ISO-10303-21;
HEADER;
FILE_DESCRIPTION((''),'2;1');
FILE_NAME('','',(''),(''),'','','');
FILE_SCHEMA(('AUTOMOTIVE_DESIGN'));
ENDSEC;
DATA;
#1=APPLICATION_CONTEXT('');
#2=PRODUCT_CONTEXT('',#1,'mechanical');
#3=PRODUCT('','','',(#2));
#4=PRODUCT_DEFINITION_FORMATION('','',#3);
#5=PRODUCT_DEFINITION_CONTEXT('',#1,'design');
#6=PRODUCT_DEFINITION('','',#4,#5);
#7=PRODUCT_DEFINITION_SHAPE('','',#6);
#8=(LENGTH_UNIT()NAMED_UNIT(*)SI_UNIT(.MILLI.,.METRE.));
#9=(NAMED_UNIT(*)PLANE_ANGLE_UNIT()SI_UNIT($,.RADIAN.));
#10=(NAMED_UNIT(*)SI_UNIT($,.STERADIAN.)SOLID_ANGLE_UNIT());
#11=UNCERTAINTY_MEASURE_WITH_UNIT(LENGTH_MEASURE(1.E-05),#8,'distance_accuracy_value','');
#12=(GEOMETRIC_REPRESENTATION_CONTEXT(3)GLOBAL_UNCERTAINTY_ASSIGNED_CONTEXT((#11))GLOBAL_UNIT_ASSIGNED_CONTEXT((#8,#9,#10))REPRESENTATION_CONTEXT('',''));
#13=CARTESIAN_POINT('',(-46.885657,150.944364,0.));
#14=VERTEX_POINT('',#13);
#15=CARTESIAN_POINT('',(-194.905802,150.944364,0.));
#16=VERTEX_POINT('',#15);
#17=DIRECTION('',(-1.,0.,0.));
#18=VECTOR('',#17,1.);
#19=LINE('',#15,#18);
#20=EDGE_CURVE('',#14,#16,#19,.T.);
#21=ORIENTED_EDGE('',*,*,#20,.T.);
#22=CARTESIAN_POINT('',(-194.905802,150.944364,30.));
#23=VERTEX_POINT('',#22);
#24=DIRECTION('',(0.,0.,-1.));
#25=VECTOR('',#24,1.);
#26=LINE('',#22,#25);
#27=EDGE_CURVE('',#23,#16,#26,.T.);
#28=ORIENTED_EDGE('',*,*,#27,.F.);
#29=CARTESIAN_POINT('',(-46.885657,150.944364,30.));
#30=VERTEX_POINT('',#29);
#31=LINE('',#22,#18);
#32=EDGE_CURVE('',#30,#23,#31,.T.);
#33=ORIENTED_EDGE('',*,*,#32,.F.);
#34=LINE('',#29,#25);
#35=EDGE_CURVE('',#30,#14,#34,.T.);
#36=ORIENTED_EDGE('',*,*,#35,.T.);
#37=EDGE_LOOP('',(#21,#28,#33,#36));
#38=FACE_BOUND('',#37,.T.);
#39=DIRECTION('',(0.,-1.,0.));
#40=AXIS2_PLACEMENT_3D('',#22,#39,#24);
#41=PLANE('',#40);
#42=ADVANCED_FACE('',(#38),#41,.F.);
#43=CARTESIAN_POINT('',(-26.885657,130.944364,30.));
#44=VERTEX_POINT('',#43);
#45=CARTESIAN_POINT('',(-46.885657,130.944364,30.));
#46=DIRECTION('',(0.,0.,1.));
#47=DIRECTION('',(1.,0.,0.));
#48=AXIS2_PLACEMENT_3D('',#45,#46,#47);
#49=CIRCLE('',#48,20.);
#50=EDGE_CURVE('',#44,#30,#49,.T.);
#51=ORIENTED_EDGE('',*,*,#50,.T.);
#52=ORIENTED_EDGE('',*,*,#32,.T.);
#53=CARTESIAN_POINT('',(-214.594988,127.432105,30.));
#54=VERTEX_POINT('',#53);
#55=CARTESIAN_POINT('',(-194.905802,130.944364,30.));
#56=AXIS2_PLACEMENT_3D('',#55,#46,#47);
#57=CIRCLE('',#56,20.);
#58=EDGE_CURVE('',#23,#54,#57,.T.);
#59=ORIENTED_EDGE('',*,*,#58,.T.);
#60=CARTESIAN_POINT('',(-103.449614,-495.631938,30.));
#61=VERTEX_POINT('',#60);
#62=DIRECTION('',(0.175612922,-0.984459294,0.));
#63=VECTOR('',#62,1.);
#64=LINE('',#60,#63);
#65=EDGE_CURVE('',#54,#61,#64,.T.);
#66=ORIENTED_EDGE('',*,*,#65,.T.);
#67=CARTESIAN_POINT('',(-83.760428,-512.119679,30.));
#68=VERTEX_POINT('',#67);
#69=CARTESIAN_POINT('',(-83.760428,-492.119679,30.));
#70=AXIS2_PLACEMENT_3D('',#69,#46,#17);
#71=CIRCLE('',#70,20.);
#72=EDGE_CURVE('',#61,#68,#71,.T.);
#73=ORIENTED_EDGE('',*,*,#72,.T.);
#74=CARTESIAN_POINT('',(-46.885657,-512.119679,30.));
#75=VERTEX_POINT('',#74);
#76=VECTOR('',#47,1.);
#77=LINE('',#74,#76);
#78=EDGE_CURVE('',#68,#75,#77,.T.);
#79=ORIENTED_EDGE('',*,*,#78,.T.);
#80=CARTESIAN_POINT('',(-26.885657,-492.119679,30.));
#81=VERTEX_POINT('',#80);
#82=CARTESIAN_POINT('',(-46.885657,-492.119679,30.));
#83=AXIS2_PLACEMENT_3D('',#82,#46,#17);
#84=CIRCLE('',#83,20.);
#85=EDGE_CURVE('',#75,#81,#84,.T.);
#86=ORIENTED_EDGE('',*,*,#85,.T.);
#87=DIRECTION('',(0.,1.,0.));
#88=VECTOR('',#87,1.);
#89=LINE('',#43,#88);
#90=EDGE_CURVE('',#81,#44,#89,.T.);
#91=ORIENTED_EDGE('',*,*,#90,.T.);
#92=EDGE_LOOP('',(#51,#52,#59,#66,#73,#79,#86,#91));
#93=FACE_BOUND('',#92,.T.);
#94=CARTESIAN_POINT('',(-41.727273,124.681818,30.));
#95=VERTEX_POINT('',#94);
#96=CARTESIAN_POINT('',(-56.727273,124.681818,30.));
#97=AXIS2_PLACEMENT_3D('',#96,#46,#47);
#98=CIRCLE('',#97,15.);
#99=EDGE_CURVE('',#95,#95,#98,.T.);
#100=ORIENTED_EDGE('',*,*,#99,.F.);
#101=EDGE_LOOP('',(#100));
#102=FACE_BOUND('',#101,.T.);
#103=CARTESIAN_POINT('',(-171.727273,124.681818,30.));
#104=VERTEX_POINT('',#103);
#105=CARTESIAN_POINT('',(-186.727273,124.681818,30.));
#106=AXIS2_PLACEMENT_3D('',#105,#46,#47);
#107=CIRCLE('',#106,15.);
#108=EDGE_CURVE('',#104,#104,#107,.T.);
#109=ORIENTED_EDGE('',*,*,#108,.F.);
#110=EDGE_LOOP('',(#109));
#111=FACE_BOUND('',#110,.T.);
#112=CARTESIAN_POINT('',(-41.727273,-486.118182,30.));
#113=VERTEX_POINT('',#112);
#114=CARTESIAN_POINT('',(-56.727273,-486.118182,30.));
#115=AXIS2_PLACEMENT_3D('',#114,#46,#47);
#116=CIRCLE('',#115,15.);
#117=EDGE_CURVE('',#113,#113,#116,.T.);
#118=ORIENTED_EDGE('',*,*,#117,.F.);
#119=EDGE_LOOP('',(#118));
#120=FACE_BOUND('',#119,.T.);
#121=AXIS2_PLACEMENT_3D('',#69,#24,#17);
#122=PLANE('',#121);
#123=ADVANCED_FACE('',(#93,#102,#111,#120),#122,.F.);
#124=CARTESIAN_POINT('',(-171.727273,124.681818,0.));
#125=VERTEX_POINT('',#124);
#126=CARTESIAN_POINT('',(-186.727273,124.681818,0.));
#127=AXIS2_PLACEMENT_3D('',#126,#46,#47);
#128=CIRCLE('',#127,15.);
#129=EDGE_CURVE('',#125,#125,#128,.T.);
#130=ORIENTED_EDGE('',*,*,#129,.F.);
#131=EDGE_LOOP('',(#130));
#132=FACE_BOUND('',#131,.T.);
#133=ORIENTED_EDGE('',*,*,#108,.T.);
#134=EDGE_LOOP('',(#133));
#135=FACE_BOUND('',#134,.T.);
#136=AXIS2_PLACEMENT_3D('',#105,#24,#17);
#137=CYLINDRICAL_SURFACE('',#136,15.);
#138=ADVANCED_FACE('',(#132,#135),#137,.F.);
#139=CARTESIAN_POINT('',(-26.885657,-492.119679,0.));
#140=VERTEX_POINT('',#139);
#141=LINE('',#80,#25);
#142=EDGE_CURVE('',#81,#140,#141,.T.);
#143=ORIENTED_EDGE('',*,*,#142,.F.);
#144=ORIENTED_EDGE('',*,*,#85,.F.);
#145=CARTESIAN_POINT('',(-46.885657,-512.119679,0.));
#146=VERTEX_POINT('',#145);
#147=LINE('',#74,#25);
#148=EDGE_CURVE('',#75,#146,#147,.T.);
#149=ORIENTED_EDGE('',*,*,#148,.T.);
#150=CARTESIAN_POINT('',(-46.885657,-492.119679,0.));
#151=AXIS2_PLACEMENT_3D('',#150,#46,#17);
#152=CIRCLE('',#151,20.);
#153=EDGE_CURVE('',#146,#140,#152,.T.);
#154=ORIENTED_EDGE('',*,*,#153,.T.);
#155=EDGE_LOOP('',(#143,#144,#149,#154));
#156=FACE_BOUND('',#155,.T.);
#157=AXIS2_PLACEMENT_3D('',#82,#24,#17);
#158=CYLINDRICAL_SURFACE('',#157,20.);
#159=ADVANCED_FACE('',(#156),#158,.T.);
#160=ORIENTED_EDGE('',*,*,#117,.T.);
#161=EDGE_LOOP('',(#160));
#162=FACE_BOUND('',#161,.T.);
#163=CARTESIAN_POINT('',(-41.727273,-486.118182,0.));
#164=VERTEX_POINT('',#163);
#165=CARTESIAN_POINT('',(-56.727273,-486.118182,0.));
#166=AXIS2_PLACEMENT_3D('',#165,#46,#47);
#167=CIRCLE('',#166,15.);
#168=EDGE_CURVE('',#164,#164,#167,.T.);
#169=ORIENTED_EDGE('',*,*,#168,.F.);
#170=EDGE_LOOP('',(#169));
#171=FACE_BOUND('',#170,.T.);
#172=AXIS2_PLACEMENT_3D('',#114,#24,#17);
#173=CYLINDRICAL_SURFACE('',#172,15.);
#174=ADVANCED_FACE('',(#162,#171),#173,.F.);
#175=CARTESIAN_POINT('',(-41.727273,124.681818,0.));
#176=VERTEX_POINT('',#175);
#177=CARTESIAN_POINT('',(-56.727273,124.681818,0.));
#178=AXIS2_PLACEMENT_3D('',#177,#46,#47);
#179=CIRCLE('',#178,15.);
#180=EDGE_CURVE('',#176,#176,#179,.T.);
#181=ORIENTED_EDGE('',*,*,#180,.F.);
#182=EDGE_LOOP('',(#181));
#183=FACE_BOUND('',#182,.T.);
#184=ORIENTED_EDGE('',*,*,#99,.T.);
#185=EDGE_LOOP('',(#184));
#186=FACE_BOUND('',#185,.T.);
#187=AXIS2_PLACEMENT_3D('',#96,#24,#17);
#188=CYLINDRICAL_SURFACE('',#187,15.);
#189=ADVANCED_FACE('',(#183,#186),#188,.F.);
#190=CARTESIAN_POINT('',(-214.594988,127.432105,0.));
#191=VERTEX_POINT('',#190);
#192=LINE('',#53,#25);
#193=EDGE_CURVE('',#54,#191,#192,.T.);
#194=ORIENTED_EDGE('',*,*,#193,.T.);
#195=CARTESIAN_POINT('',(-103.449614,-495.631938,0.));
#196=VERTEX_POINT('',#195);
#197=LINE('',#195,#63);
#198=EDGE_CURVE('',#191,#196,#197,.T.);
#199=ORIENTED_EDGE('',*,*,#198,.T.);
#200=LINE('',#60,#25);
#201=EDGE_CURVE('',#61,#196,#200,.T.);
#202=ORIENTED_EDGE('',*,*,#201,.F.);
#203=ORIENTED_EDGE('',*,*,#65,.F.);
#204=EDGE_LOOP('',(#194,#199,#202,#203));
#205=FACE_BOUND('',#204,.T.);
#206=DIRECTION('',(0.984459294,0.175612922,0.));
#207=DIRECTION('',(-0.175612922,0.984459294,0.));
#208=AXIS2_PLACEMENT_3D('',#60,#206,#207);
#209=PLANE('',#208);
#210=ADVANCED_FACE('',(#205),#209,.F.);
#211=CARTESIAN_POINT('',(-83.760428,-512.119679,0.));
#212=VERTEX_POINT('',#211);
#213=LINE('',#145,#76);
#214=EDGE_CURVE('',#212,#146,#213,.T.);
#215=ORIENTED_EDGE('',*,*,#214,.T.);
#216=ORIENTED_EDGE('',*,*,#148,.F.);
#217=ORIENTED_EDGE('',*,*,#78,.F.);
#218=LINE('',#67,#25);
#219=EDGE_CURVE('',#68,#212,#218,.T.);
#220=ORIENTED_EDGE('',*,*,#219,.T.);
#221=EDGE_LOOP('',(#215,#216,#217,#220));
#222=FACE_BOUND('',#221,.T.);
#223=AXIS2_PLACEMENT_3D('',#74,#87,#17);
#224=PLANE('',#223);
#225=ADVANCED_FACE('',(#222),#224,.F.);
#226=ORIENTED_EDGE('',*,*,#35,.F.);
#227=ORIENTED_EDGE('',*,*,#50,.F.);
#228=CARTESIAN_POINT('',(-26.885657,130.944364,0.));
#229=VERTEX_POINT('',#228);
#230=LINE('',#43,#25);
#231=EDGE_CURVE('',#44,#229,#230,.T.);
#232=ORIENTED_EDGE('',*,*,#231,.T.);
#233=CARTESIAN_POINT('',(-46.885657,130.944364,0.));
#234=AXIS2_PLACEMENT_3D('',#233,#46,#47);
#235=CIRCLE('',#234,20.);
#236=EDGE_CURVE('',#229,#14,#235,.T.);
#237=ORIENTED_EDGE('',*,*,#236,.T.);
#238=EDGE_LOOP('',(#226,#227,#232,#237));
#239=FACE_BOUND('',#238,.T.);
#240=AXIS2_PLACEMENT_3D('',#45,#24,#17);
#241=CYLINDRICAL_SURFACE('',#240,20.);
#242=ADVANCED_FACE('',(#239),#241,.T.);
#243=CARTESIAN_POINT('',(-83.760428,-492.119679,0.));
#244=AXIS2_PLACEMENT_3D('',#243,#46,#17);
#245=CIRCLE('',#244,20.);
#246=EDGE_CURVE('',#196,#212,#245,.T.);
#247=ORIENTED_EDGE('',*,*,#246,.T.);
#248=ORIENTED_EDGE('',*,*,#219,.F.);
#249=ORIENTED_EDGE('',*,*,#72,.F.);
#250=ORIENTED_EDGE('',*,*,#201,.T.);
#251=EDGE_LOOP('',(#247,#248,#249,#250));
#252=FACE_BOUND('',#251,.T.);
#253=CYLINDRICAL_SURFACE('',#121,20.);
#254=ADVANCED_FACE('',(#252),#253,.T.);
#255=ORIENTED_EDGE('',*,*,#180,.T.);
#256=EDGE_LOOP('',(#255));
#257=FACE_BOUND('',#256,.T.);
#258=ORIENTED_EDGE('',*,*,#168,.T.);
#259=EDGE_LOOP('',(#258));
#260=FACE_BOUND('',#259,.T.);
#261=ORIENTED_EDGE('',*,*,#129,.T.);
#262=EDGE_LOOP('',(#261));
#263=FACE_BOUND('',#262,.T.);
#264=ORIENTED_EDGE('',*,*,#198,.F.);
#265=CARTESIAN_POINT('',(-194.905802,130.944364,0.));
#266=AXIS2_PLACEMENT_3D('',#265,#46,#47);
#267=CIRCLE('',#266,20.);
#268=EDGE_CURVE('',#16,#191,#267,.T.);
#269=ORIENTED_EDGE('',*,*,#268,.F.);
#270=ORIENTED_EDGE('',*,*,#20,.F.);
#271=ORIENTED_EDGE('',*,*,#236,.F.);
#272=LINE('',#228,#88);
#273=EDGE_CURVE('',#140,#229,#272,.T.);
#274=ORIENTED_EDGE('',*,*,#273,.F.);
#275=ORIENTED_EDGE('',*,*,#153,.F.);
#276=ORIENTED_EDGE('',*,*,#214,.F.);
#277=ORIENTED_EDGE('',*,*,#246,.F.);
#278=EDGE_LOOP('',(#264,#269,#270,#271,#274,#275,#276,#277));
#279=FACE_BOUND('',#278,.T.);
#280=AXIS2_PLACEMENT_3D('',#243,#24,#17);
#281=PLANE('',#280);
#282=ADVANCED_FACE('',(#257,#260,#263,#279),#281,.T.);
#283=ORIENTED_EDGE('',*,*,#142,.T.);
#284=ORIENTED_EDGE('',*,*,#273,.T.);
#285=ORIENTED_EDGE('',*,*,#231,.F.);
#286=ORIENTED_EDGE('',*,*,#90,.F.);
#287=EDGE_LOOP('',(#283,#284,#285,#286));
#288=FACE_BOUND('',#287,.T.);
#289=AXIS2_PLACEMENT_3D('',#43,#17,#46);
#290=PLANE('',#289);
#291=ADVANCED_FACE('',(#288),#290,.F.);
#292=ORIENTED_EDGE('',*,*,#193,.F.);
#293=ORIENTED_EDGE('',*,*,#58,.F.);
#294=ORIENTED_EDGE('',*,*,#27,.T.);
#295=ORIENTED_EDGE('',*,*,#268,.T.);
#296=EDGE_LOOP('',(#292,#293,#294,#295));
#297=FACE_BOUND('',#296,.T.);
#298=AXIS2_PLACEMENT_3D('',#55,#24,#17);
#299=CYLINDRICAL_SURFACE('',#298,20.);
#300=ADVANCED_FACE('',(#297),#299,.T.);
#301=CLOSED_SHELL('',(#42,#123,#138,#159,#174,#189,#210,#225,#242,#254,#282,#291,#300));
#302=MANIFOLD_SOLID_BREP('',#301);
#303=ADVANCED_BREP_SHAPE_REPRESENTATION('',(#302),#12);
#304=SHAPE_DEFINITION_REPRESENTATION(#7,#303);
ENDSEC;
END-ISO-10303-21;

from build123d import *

# Parameters (mm, degrees)
SKETCH1_R           = 15
BOSS_EXTRUDE1_DEPTH = 30


with BuildPart() as part:
    # Sketch1 → Boss-Extrude1 (new body)
    with BuildSketch(Plane.XY):
        with BuildLine():
            Line((-194.90580249, 150.944363815), (-46.885657247, 150.944363815))
            ThreePointArc((-46.885657247, 150.944363815), (-32.743521623, 145.086499439), (-26.885657247, 130.944363815))
            Line((-26.885657247, 130.944363815), (-26.885657247, -492.119679425))
            ThreePointArc((-26.885657247, -492.119679425), (-32.743521623, -506.261815049), (-46.885657247, -512.119679425))
            Line((-46.885657247, -512.119679425), (-83.76042788, -512.119679425))
            ThreePointArc((-83.76042788, -512.119679425), (-96.600887983, -507.453386881), (-103.449613762, -495.631937859))
            Line((-103.449613762, -495.631937859), (-214.594988372, 127.432105381))
            ThreePointArc((-214.594988372, 127.432105381), (-210.239509946, 143.784823918), (-194.90580249, 150.944363815))
        make_face()
        with Locations((-186.727272727, 124.681818182)):
            Circle(SKETCH1_R, mode=Mode.SUBTRACT)
        with Locations((-56.727272727, 124.681818182)):
            Circle(SKETCH1_R, mode=Mode.SUBTRACT)
        with Locations((-56.727272727, -486.118181818)):
            Circle(SKETCH1_R, mode=Mode.SUBTRACT)
    extrude(amount=BOSS_EXTRUDE1_DEPTH)


solid = part.part
